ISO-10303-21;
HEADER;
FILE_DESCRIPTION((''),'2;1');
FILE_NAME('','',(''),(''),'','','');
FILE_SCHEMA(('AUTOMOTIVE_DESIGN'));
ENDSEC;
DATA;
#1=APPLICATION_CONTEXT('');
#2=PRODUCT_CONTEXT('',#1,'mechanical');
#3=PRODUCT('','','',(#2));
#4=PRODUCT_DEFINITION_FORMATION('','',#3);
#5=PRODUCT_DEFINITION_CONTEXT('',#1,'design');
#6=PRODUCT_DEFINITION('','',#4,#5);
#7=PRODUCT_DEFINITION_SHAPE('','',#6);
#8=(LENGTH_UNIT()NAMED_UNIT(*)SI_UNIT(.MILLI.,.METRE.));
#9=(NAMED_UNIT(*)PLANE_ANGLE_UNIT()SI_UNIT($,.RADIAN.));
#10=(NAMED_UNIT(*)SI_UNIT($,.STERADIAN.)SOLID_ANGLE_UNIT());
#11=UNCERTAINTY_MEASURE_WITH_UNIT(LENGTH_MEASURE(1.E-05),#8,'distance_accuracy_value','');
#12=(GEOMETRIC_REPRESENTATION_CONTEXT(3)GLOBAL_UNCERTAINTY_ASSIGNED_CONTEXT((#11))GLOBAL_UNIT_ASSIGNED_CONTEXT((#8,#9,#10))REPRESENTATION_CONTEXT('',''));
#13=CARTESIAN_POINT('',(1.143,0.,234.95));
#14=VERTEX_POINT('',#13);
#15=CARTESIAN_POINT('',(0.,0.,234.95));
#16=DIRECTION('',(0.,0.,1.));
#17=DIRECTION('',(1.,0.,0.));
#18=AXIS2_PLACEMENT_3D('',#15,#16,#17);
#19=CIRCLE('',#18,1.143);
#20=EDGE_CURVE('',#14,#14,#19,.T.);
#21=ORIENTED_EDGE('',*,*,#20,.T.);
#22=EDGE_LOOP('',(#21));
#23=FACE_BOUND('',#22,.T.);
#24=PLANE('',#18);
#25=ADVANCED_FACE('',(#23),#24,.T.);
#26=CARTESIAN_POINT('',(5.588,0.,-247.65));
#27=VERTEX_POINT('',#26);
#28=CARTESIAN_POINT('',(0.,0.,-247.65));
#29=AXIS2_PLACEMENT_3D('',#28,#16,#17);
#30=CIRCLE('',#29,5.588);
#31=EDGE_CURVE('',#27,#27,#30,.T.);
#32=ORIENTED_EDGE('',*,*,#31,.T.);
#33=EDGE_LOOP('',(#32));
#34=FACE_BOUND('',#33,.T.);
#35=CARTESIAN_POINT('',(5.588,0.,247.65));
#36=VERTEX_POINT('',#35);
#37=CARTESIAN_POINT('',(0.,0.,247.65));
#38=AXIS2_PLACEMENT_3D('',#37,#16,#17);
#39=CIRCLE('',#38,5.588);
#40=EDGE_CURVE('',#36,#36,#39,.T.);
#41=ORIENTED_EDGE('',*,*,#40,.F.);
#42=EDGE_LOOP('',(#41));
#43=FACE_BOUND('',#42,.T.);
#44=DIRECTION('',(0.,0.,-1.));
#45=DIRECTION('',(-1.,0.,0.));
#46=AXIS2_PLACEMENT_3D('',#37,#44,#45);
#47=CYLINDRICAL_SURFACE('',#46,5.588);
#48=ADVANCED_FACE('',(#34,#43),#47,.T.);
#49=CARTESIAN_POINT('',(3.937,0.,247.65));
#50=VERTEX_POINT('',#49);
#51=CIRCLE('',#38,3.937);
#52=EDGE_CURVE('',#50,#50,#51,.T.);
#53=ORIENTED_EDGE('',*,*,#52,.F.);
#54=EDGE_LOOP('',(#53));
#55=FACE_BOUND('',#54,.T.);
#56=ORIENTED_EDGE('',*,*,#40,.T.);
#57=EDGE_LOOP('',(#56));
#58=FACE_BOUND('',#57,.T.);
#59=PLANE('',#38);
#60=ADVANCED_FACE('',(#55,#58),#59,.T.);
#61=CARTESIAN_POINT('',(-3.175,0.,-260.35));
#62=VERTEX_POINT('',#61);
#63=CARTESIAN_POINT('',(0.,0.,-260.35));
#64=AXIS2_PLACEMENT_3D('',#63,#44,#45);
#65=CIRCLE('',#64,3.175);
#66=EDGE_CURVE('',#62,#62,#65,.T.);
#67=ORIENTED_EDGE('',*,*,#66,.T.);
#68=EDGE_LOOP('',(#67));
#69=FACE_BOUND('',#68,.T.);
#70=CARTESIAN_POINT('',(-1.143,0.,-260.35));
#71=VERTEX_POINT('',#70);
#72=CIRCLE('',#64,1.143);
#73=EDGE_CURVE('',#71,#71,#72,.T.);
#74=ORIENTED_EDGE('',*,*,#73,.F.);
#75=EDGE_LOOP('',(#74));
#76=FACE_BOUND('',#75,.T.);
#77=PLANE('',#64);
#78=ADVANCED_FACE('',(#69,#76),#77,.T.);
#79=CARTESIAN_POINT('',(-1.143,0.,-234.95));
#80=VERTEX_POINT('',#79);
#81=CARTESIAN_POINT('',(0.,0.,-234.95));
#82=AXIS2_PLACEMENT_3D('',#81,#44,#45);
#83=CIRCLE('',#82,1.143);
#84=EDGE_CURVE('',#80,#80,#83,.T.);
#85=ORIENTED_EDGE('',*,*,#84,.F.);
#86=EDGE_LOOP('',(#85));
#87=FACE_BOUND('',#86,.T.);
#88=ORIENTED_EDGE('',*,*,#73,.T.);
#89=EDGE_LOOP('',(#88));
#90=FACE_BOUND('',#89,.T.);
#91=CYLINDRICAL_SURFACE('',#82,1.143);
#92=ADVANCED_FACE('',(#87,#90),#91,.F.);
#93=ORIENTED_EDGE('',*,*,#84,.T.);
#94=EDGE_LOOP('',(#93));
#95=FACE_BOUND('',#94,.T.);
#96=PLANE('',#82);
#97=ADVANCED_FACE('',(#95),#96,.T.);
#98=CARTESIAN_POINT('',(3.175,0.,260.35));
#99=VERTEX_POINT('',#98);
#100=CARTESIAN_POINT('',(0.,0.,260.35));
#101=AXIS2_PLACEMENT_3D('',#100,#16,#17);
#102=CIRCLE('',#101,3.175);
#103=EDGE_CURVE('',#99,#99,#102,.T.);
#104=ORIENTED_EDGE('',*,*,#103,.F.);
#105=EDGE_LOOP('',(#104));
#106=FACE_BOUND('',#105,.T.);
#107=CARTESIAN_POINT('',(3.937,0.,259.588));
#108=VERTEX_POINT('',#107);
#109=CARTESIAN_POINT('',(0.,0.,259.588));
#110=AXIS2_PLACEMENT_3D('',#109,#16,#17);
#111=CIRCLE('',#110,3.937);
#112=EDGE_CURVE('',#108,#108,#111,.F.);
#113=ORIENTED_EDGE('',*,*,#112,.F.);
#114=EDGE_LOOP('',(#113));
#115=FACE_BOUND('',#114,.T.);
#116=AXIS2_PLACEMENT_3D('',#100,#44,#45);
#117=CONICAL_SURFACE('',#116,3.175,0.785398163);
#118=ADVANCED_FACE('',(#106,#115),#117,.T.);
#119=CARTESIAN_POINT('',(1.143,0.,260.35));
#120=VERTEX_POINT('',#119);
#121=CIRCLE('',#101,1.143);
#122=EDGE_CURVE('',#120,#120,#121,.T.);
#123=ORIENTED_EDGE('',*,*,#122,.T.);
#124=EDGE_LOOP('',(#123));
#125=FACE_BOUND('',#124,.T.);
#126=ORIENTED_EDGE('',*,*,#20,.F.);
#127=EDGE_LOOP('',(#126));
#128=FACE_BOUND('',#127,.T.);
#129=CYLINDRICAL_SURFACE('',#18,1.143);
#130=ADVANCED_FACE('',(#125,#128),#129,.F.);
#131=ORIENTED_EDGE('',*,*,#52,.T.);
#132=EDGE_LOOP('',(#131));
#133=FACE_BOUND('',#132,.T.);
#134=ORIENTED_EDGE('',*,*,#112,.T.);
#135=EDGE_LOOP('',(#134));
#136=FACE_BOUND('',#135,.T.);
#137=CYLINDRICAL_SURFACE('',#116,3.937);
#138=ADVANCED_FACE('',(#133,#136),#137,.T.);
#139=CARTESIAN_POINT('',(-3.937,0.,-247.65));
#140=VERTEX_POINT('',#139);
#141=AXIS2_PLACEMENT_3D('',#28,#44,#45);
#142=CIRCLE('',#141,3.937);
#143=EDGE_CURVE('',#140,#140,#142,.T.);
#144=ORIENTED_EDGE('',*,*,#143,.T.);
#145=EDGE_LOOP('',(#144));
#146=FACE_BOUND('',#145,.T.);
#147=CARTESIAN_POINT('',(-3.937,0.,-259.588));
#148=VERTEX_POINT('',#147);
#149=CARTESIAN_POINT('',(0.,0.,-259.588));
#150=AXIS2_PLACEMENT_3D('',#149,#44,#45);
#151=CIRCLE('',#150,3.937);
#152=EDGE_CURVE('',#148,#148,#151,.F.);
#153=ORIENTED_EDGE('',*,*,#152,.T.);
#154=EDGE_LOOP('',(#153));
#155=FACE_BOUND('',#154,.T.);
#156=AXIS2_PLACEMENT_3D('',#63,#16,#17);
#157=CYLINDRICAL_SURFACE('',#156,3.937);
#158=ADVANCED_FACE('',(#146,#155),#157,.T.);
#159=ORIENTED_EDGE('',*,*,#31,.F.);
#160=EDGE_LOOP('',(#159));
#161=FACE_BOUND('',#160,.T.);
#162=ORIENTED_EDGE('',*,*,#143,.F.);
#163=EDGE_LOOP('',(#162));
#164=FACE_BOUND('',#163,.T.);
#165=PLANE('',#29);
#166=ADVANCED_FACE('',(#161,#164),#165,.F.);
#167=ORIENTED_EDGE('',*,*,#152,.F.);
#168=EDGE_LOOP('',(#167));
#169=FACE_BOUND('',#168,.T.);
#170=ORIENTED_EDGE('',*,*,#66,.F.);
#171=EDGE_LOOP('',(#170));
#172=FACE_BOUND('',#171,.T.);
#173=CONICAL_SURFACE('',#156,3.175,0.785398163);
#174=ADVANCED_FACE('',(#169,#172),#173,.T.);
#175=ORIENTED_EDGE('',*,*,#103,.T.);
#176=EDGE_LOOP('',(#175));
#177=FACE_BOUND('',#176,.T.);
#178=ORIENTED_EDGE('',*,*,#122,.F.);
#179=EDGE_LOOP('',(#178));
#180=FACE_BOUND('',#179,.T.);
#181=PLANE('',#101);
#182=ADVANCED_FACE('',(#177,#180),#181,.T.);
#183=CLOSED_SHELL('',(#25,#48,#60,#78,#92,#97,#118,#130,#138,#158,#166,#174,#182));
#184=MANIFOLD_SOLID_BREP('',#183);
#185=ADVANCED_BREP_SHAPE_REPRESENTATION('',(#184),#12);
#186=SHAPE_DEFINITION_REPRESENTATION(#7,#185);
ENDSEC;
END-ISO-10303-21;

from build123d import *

# Parameters (mm, degrees)
SKETCH2_R           = 5.588
BOSS_EXTRUDE1_DEPTH = 247.65
SKETCH3_R           = 3.937
BOSS_EXTRUDE2_DEPTH = 12.7
BOSS_EXTRUDE3_START = 12.7
SKETCH4_R           = 3.937
BOSS_EXTRUDE3_DEPTH = 12.7
SKETCH5_R           = 1.143
CUT_EXTRUDE1_DEPTH  = 25.4
CUT_EXTRUDE2_START  = -25.4
SKETCH6_R           = 1.143
CUT_EXTRUDE2_DEPTH  = 25.4
CHAMFER2_SIZE       = 0.762


with BuildPart() as part:
    # Sketch2 → Boss-Extrude1 (new, symmetric)
    with BuildSketch(Plane.XY):
        Circle(SKETCH2_R)
    extrude(amount=BOSS_EXTRUDE1_DEPTH, both=True)

    # Sketch3 → Boss-Extrude2 (add)
    with BuildSketch(Plane.XY.offset(247.65)):
        Circle(SKETCH3_R)
    extrude(amount=BOSS_EXTRUDE2_DEPTH)

    # Sketch4 → Boss-Extrude3 (add)
    with BuildSketch(Plane(origin=(0, 0, -247.65), x_dir=(-1, 0, 0), z_dir=(0, 0, -1)).offset(BOSS_EXTRUDE3_START)):
        with Locations(Location((0, 0, 0), (0, 0, 180))):
            Circle(SKETCH4_R)
    extrude(amount=-BOSS_EXTRUDE3_DEPTH)

    # Sketch5 → Cut-Extrude1 (cut)
    with BuildSketch(Plane.XY.offset(260.35)):
        Circle(SKETCH5_R)
    extrude(amount=-CUT_EXTRUDE1_DEPTH, mode=Mode.SUBTRACT)

    # Sketch6 → Cut-Extrude2 (cut)
    with BuildSketch(Plane(origin=(0, 0, -260.35), x_dir=(-1, 0, 0), z_dir=(0, 0, -1)).offset(CUT_EXTRUDE2_START)):
        with Locations(Location((0, 0, 0), (0, 0, 180))):
            Circle(SKETCH6_R)
    extrude(amount=CUT_EXTRUDE2_DEPTH, mode=Mode.SUBTRACT)

    # Chamfer2
    chamfer2_edges = [part.edges().sort_by_distance(p)[0] for p in [
        (-3.937, 0, -260.35),
        (-3.937, 0, 260.35),
    ]]
    chamfer(chamfer2_edges, length=CHAMFER2_SIZE)


solid = part.part
